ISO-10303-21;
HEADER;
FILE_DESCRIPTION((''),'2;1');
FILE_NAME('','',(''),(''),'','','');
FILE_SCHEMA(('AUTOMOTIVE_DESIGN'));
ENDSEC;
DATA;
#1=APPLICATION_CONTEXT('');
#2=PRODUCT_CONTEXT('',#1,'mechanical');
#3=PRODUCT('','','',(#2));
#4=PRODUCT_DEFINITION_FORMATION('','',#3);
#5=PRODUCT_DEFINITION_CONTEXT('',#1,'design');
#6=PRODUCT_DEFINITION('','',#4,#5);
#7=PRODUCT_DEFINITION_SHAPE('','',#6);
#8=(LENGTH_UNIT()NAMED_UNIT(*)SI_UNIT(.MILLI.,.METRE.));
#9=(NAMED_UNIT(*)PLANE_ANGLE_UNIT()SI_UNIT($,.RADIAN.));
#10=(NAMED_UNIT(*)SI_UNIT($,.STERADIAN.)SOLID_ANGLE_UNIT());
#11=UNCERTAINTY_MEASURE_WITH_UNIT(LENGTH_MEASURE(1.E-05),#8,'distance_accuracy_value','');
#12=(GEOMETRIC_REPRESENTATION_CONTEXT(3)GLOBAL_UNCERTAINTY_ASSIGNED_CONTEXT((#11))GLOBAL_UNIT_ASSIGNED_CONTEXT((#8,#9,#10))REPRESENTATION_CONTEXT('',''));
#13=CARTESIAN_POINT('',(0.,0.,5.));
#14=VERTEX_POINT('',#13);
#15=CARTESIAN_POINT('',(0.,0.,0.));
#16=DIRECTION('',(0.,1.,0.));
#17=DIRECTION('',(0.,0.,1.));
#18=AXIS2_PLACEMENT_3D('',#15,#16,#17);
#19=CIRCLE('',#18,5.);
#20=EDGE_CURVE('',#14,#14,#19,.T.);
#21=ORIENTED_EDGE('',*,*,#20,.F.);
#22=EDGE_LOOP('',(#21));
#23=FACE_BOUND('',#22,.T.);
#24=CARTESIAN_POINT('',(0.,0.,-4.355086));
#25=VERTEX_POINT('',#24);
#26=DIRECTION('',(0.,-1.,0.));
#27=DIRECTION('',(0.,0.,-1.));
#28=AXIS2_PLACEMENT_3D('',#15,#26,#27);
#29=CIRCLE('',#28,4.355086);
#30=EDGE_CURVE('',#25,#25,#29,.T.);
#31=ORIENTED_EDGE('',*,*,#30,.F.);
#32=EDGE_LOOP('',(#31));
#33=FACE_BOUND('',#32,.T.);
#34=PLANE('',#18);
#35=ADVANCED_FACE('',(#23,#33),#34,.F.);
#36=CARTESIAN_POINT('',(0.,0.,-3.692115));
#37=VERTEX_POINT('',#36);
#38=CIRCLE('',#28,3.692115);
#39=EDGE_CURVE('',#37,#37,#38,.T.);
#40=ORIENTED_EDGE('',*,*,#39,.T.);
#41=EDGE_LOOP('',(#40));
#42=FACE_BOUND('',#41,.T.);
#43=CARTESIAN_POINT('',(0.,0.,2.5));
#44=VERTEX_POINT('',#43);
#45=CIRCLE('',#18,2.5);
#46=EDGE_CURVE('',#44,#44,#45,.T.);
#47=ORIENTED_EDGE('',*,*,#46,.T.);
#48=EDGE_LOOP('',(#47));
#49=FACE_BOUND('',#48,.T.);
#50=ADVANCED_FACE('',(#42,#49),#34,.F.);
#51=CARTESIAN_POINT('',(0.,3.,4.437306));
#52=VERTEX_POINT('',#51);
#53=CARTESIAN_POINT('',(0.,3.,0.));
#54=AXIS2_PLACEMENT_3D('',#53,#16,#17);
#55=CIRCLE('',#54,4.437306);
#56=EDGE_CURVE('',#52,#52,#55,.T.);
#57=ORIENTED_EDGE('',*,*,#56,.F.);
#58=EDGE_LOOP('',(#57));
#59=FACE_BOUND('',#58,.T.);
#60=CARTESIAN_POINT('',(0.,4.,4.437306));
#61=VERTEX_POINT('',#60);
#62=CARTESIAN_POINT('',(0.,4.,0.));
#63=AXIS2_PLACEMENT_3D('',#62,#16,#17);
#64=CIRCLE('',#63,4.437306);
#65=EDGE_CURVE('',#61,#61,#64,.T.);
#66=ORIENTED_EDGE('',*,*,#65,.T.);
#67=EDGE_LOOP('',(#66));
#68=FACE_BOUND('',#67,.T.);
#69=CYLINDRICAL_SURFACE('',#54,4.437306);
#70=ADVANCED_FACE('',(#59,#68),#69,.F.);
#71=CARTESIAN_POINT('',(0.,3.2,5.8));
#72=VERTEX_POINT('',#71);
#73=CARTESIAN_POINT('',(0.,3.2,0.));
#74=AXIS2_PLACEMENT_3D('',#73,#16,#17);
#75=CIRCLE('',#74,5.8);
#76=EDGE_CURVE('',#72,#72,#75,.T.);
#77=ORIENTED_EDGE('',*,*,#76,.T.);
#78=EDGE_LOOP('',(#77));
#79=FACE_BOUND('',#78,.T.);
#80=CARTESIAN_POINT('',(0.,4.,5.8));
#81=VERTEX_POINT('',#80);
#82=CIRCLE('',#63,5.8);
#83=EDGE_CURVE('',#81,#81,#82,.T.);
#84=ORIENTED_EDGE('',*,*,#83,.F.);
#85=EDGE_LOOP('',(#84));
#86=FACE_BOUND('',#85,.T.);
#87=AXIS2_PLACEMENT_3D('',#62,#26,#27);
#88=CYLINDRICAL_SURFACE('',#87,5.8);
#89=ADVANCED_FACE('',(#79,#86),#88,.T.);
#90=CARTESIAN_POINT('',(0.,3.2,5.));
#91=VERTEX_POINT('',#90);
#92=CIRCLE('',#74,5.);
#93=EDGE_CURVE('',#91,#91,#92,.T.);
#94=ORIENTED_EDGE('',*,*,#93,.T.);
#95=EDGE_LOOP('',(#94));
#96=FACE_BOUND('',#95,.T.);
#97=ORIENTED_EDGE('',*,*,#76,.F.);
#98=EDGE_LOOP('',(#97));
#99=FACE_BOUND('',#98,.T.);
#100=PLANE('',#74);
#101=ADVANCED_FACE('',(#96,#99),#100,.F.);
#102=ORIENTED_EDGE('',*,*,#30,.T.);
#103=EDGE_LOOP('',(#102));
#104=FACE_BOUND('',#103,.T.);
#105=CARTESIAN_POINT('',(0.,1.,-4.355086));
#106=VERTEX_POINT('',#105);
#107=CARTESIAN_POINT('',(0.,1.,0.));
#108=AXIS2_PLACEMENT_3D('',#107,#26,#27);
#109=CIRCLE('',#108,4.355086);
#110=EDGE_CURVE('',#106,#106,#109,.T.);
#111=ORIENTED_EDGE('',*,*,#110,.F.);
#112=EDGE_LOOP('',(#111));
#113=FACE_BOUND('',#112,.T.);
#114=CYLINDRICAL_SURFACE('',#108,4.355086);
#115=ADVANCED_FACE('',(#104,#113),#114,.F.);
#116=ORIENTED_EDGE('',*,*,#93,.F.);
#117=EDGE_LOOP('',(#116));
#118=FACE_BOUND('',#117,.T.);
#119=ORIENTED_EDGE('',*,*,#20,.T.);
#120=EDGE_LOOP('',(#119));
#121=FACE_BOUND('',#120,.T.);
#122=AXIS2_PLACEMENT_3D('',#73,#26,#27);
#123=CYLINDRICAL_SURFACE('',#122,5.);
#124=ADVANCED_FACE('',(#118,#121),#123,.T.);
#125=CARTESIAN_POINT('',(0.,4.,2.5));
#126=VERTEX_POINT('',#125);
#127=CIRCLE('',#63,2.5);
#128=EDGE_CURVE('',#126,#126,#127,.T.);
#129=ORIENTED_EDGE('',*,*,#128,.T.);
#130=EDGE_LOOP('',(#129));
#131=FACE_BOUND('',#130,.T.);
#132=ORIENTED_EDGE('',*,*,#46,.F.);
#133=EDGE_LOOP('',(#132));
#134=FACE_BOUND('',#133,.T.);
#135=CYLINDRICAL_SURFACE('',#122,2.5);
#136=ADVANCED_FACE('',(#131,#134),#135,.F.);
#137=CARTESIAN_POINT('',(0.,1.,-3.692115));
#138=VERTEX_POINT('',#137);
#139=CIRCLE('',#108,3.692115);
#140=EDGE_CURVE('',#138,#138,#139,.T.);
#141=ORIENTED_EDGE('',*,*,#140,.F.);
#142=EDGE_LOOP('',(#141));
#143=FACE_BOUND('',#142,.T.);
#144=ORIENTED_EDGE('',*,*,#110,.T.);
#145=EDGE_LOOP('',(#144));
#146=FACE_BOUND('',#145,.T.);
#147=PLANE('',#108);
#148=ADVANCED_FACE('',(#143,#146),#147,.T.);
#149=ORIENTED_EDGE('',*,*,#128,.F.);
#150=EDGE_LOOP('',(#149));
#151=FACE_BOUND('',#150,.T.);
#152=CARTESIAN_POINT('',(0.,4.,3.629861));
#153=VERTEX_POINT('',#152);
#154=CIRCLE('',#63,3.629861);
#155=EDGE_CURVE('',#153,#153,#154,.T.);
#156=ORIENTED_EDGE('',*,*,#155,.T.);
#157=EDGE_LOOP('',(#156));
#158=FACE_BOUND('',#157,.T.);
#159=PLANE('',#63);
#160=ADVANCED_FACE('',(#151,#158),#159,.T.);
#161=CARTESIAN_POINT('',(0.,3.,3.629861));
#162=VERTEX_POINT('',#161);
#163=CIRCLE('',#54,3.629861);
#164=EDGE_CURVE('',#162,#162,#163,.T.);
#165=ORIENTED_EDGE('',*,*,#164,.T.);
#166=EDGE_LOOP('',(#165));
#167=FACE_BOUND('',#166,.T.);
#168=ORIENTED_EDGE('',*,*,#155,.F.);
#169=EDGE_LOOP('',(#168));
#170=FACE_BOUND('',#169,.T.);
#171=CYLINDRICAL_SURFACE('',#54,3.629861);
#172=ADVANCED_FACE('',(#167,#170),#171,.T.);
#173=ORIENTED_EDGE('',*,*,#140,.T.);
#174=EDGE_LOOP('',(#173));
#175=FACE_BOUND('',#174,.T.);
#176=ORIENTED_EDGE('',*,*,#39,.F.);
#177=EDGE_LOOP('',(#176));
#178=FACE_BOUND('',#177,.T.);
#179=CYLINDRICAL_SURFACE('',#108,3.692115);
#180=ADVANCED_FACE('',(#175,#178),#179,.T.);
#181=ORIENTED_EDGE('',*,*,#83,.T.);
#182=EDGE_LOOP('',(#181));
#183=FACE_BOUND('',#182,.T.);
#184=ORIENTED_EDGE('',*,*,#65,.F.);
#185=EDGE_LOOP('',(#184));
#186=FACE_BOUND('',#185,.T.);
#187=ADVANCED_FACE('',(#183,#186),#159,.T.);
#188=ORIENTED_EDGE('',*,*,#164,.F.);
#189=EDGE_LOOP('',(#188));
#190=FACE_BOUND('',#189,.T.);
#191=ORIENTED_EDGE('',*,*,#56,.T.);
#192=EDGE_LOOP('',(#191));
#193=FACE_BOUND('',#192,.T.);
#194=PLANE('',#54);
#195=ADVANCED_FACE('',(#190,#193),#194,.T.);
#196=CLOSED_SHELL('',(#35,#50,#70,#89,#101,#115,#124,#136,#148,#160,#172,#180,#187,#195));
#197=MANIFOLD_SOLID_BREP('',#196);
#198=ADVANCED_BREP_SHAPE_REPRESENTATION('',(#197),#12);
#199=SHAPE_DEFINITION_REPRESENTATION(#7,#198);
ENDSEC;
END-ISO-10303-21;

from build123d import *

# Parameters (mm, degrees)
SKETCH1_R           = 5
SKETCH1_R_2         = 2.5
BOSS_EXTRUDE1_DEPTH = 3.2
SKETCH2_R           = 5.8
SKETCH2_R_2         = 2.5
BOSS_EXTRUDE2_DEPTH = 0.8
SKETCH3_R           = 4.35508582
SKETCH3_R_2         = 3.692114727
CUT_EXTRUDE1_DEPTH  = 1
SKETCH4_R           = 4.43730614
SKETCH4_R_2         = 3.629860823
CUT_EXTRUDE2_DEPTH  = 1


with BuildPart() as part:
    # Sketch1 → Boss-Extrude1 (new body)
    with BuildSketch(Plane(origin=(0, 0, 0), x_dir=(1, 0, 0), z_dir=(0, 1, 0))):
        with Locations(Location((0, 0, 0), (0, 0, 270))):
            Circle(SKETCH1_R)
        with Locations(Location((0, 0, 0), (0, 0, 270))):
            Circle(SKETCH1_R_2, mode=Mode.SUBTRACT)
    extrude(amount=BOSS_EXTRUDE1_DEPTH)

    # Sketch2 → Boss-Extrude2 (add)
    with BuildSketch(Plane(origin=(0, 3.2, 0), x_dir=(1, 0, 0), z_dir=(0, 1, 0))):
        with Locations(Location((0, 0, 0), (0, 0, 270))):
            Circle(SKETCH2_R)
        with Locations(Location((0, 0, 0), (0, 0, 270))):
            Circle(SKETCH2_R_2, mode=Mode.SUBTRACT)
    extrude(amount=BOSS_EXTRUDE2_DEPTH)

    # Sketch3 → Cut-Extrude1 (cut)
    with BuildSketch(Plane.XZ):
        with Locations(Location((0, 0, 0), (0, 0, 270))):
            Circle(SKETCH3_R)
        with Locations(Location((0, 0, 0), (0, 0, 270))):
            Circle(SKETCH3_R_2, mode=Mode.SUBTRACT)
    extrude(amount=-CUT_EXTRUDE1_DEPTH, mode=Mode.SUBTRACT)

    # Sketch4 → Cut-Extrude2 (cut)
    with BuildSketch(Plane(origin=(0, 4, 0), x_dir=(1, 0, 0), z_dir=(0, 1, 0))):
        with Locations(Location((0, 0, 0), (0, 0, 270))):
            Circle(SKETCH4_R)
        with Locations(Location((0, 0, 0), (0, 0, 270))):
            Circle(SKETCH4_R_2, mode=Mode.SUBTRACT)
    extrude(amount=-CUT_EXTRUDE2_DEPTH, mode=Mode.SUBTRACT)


solid = part.part
